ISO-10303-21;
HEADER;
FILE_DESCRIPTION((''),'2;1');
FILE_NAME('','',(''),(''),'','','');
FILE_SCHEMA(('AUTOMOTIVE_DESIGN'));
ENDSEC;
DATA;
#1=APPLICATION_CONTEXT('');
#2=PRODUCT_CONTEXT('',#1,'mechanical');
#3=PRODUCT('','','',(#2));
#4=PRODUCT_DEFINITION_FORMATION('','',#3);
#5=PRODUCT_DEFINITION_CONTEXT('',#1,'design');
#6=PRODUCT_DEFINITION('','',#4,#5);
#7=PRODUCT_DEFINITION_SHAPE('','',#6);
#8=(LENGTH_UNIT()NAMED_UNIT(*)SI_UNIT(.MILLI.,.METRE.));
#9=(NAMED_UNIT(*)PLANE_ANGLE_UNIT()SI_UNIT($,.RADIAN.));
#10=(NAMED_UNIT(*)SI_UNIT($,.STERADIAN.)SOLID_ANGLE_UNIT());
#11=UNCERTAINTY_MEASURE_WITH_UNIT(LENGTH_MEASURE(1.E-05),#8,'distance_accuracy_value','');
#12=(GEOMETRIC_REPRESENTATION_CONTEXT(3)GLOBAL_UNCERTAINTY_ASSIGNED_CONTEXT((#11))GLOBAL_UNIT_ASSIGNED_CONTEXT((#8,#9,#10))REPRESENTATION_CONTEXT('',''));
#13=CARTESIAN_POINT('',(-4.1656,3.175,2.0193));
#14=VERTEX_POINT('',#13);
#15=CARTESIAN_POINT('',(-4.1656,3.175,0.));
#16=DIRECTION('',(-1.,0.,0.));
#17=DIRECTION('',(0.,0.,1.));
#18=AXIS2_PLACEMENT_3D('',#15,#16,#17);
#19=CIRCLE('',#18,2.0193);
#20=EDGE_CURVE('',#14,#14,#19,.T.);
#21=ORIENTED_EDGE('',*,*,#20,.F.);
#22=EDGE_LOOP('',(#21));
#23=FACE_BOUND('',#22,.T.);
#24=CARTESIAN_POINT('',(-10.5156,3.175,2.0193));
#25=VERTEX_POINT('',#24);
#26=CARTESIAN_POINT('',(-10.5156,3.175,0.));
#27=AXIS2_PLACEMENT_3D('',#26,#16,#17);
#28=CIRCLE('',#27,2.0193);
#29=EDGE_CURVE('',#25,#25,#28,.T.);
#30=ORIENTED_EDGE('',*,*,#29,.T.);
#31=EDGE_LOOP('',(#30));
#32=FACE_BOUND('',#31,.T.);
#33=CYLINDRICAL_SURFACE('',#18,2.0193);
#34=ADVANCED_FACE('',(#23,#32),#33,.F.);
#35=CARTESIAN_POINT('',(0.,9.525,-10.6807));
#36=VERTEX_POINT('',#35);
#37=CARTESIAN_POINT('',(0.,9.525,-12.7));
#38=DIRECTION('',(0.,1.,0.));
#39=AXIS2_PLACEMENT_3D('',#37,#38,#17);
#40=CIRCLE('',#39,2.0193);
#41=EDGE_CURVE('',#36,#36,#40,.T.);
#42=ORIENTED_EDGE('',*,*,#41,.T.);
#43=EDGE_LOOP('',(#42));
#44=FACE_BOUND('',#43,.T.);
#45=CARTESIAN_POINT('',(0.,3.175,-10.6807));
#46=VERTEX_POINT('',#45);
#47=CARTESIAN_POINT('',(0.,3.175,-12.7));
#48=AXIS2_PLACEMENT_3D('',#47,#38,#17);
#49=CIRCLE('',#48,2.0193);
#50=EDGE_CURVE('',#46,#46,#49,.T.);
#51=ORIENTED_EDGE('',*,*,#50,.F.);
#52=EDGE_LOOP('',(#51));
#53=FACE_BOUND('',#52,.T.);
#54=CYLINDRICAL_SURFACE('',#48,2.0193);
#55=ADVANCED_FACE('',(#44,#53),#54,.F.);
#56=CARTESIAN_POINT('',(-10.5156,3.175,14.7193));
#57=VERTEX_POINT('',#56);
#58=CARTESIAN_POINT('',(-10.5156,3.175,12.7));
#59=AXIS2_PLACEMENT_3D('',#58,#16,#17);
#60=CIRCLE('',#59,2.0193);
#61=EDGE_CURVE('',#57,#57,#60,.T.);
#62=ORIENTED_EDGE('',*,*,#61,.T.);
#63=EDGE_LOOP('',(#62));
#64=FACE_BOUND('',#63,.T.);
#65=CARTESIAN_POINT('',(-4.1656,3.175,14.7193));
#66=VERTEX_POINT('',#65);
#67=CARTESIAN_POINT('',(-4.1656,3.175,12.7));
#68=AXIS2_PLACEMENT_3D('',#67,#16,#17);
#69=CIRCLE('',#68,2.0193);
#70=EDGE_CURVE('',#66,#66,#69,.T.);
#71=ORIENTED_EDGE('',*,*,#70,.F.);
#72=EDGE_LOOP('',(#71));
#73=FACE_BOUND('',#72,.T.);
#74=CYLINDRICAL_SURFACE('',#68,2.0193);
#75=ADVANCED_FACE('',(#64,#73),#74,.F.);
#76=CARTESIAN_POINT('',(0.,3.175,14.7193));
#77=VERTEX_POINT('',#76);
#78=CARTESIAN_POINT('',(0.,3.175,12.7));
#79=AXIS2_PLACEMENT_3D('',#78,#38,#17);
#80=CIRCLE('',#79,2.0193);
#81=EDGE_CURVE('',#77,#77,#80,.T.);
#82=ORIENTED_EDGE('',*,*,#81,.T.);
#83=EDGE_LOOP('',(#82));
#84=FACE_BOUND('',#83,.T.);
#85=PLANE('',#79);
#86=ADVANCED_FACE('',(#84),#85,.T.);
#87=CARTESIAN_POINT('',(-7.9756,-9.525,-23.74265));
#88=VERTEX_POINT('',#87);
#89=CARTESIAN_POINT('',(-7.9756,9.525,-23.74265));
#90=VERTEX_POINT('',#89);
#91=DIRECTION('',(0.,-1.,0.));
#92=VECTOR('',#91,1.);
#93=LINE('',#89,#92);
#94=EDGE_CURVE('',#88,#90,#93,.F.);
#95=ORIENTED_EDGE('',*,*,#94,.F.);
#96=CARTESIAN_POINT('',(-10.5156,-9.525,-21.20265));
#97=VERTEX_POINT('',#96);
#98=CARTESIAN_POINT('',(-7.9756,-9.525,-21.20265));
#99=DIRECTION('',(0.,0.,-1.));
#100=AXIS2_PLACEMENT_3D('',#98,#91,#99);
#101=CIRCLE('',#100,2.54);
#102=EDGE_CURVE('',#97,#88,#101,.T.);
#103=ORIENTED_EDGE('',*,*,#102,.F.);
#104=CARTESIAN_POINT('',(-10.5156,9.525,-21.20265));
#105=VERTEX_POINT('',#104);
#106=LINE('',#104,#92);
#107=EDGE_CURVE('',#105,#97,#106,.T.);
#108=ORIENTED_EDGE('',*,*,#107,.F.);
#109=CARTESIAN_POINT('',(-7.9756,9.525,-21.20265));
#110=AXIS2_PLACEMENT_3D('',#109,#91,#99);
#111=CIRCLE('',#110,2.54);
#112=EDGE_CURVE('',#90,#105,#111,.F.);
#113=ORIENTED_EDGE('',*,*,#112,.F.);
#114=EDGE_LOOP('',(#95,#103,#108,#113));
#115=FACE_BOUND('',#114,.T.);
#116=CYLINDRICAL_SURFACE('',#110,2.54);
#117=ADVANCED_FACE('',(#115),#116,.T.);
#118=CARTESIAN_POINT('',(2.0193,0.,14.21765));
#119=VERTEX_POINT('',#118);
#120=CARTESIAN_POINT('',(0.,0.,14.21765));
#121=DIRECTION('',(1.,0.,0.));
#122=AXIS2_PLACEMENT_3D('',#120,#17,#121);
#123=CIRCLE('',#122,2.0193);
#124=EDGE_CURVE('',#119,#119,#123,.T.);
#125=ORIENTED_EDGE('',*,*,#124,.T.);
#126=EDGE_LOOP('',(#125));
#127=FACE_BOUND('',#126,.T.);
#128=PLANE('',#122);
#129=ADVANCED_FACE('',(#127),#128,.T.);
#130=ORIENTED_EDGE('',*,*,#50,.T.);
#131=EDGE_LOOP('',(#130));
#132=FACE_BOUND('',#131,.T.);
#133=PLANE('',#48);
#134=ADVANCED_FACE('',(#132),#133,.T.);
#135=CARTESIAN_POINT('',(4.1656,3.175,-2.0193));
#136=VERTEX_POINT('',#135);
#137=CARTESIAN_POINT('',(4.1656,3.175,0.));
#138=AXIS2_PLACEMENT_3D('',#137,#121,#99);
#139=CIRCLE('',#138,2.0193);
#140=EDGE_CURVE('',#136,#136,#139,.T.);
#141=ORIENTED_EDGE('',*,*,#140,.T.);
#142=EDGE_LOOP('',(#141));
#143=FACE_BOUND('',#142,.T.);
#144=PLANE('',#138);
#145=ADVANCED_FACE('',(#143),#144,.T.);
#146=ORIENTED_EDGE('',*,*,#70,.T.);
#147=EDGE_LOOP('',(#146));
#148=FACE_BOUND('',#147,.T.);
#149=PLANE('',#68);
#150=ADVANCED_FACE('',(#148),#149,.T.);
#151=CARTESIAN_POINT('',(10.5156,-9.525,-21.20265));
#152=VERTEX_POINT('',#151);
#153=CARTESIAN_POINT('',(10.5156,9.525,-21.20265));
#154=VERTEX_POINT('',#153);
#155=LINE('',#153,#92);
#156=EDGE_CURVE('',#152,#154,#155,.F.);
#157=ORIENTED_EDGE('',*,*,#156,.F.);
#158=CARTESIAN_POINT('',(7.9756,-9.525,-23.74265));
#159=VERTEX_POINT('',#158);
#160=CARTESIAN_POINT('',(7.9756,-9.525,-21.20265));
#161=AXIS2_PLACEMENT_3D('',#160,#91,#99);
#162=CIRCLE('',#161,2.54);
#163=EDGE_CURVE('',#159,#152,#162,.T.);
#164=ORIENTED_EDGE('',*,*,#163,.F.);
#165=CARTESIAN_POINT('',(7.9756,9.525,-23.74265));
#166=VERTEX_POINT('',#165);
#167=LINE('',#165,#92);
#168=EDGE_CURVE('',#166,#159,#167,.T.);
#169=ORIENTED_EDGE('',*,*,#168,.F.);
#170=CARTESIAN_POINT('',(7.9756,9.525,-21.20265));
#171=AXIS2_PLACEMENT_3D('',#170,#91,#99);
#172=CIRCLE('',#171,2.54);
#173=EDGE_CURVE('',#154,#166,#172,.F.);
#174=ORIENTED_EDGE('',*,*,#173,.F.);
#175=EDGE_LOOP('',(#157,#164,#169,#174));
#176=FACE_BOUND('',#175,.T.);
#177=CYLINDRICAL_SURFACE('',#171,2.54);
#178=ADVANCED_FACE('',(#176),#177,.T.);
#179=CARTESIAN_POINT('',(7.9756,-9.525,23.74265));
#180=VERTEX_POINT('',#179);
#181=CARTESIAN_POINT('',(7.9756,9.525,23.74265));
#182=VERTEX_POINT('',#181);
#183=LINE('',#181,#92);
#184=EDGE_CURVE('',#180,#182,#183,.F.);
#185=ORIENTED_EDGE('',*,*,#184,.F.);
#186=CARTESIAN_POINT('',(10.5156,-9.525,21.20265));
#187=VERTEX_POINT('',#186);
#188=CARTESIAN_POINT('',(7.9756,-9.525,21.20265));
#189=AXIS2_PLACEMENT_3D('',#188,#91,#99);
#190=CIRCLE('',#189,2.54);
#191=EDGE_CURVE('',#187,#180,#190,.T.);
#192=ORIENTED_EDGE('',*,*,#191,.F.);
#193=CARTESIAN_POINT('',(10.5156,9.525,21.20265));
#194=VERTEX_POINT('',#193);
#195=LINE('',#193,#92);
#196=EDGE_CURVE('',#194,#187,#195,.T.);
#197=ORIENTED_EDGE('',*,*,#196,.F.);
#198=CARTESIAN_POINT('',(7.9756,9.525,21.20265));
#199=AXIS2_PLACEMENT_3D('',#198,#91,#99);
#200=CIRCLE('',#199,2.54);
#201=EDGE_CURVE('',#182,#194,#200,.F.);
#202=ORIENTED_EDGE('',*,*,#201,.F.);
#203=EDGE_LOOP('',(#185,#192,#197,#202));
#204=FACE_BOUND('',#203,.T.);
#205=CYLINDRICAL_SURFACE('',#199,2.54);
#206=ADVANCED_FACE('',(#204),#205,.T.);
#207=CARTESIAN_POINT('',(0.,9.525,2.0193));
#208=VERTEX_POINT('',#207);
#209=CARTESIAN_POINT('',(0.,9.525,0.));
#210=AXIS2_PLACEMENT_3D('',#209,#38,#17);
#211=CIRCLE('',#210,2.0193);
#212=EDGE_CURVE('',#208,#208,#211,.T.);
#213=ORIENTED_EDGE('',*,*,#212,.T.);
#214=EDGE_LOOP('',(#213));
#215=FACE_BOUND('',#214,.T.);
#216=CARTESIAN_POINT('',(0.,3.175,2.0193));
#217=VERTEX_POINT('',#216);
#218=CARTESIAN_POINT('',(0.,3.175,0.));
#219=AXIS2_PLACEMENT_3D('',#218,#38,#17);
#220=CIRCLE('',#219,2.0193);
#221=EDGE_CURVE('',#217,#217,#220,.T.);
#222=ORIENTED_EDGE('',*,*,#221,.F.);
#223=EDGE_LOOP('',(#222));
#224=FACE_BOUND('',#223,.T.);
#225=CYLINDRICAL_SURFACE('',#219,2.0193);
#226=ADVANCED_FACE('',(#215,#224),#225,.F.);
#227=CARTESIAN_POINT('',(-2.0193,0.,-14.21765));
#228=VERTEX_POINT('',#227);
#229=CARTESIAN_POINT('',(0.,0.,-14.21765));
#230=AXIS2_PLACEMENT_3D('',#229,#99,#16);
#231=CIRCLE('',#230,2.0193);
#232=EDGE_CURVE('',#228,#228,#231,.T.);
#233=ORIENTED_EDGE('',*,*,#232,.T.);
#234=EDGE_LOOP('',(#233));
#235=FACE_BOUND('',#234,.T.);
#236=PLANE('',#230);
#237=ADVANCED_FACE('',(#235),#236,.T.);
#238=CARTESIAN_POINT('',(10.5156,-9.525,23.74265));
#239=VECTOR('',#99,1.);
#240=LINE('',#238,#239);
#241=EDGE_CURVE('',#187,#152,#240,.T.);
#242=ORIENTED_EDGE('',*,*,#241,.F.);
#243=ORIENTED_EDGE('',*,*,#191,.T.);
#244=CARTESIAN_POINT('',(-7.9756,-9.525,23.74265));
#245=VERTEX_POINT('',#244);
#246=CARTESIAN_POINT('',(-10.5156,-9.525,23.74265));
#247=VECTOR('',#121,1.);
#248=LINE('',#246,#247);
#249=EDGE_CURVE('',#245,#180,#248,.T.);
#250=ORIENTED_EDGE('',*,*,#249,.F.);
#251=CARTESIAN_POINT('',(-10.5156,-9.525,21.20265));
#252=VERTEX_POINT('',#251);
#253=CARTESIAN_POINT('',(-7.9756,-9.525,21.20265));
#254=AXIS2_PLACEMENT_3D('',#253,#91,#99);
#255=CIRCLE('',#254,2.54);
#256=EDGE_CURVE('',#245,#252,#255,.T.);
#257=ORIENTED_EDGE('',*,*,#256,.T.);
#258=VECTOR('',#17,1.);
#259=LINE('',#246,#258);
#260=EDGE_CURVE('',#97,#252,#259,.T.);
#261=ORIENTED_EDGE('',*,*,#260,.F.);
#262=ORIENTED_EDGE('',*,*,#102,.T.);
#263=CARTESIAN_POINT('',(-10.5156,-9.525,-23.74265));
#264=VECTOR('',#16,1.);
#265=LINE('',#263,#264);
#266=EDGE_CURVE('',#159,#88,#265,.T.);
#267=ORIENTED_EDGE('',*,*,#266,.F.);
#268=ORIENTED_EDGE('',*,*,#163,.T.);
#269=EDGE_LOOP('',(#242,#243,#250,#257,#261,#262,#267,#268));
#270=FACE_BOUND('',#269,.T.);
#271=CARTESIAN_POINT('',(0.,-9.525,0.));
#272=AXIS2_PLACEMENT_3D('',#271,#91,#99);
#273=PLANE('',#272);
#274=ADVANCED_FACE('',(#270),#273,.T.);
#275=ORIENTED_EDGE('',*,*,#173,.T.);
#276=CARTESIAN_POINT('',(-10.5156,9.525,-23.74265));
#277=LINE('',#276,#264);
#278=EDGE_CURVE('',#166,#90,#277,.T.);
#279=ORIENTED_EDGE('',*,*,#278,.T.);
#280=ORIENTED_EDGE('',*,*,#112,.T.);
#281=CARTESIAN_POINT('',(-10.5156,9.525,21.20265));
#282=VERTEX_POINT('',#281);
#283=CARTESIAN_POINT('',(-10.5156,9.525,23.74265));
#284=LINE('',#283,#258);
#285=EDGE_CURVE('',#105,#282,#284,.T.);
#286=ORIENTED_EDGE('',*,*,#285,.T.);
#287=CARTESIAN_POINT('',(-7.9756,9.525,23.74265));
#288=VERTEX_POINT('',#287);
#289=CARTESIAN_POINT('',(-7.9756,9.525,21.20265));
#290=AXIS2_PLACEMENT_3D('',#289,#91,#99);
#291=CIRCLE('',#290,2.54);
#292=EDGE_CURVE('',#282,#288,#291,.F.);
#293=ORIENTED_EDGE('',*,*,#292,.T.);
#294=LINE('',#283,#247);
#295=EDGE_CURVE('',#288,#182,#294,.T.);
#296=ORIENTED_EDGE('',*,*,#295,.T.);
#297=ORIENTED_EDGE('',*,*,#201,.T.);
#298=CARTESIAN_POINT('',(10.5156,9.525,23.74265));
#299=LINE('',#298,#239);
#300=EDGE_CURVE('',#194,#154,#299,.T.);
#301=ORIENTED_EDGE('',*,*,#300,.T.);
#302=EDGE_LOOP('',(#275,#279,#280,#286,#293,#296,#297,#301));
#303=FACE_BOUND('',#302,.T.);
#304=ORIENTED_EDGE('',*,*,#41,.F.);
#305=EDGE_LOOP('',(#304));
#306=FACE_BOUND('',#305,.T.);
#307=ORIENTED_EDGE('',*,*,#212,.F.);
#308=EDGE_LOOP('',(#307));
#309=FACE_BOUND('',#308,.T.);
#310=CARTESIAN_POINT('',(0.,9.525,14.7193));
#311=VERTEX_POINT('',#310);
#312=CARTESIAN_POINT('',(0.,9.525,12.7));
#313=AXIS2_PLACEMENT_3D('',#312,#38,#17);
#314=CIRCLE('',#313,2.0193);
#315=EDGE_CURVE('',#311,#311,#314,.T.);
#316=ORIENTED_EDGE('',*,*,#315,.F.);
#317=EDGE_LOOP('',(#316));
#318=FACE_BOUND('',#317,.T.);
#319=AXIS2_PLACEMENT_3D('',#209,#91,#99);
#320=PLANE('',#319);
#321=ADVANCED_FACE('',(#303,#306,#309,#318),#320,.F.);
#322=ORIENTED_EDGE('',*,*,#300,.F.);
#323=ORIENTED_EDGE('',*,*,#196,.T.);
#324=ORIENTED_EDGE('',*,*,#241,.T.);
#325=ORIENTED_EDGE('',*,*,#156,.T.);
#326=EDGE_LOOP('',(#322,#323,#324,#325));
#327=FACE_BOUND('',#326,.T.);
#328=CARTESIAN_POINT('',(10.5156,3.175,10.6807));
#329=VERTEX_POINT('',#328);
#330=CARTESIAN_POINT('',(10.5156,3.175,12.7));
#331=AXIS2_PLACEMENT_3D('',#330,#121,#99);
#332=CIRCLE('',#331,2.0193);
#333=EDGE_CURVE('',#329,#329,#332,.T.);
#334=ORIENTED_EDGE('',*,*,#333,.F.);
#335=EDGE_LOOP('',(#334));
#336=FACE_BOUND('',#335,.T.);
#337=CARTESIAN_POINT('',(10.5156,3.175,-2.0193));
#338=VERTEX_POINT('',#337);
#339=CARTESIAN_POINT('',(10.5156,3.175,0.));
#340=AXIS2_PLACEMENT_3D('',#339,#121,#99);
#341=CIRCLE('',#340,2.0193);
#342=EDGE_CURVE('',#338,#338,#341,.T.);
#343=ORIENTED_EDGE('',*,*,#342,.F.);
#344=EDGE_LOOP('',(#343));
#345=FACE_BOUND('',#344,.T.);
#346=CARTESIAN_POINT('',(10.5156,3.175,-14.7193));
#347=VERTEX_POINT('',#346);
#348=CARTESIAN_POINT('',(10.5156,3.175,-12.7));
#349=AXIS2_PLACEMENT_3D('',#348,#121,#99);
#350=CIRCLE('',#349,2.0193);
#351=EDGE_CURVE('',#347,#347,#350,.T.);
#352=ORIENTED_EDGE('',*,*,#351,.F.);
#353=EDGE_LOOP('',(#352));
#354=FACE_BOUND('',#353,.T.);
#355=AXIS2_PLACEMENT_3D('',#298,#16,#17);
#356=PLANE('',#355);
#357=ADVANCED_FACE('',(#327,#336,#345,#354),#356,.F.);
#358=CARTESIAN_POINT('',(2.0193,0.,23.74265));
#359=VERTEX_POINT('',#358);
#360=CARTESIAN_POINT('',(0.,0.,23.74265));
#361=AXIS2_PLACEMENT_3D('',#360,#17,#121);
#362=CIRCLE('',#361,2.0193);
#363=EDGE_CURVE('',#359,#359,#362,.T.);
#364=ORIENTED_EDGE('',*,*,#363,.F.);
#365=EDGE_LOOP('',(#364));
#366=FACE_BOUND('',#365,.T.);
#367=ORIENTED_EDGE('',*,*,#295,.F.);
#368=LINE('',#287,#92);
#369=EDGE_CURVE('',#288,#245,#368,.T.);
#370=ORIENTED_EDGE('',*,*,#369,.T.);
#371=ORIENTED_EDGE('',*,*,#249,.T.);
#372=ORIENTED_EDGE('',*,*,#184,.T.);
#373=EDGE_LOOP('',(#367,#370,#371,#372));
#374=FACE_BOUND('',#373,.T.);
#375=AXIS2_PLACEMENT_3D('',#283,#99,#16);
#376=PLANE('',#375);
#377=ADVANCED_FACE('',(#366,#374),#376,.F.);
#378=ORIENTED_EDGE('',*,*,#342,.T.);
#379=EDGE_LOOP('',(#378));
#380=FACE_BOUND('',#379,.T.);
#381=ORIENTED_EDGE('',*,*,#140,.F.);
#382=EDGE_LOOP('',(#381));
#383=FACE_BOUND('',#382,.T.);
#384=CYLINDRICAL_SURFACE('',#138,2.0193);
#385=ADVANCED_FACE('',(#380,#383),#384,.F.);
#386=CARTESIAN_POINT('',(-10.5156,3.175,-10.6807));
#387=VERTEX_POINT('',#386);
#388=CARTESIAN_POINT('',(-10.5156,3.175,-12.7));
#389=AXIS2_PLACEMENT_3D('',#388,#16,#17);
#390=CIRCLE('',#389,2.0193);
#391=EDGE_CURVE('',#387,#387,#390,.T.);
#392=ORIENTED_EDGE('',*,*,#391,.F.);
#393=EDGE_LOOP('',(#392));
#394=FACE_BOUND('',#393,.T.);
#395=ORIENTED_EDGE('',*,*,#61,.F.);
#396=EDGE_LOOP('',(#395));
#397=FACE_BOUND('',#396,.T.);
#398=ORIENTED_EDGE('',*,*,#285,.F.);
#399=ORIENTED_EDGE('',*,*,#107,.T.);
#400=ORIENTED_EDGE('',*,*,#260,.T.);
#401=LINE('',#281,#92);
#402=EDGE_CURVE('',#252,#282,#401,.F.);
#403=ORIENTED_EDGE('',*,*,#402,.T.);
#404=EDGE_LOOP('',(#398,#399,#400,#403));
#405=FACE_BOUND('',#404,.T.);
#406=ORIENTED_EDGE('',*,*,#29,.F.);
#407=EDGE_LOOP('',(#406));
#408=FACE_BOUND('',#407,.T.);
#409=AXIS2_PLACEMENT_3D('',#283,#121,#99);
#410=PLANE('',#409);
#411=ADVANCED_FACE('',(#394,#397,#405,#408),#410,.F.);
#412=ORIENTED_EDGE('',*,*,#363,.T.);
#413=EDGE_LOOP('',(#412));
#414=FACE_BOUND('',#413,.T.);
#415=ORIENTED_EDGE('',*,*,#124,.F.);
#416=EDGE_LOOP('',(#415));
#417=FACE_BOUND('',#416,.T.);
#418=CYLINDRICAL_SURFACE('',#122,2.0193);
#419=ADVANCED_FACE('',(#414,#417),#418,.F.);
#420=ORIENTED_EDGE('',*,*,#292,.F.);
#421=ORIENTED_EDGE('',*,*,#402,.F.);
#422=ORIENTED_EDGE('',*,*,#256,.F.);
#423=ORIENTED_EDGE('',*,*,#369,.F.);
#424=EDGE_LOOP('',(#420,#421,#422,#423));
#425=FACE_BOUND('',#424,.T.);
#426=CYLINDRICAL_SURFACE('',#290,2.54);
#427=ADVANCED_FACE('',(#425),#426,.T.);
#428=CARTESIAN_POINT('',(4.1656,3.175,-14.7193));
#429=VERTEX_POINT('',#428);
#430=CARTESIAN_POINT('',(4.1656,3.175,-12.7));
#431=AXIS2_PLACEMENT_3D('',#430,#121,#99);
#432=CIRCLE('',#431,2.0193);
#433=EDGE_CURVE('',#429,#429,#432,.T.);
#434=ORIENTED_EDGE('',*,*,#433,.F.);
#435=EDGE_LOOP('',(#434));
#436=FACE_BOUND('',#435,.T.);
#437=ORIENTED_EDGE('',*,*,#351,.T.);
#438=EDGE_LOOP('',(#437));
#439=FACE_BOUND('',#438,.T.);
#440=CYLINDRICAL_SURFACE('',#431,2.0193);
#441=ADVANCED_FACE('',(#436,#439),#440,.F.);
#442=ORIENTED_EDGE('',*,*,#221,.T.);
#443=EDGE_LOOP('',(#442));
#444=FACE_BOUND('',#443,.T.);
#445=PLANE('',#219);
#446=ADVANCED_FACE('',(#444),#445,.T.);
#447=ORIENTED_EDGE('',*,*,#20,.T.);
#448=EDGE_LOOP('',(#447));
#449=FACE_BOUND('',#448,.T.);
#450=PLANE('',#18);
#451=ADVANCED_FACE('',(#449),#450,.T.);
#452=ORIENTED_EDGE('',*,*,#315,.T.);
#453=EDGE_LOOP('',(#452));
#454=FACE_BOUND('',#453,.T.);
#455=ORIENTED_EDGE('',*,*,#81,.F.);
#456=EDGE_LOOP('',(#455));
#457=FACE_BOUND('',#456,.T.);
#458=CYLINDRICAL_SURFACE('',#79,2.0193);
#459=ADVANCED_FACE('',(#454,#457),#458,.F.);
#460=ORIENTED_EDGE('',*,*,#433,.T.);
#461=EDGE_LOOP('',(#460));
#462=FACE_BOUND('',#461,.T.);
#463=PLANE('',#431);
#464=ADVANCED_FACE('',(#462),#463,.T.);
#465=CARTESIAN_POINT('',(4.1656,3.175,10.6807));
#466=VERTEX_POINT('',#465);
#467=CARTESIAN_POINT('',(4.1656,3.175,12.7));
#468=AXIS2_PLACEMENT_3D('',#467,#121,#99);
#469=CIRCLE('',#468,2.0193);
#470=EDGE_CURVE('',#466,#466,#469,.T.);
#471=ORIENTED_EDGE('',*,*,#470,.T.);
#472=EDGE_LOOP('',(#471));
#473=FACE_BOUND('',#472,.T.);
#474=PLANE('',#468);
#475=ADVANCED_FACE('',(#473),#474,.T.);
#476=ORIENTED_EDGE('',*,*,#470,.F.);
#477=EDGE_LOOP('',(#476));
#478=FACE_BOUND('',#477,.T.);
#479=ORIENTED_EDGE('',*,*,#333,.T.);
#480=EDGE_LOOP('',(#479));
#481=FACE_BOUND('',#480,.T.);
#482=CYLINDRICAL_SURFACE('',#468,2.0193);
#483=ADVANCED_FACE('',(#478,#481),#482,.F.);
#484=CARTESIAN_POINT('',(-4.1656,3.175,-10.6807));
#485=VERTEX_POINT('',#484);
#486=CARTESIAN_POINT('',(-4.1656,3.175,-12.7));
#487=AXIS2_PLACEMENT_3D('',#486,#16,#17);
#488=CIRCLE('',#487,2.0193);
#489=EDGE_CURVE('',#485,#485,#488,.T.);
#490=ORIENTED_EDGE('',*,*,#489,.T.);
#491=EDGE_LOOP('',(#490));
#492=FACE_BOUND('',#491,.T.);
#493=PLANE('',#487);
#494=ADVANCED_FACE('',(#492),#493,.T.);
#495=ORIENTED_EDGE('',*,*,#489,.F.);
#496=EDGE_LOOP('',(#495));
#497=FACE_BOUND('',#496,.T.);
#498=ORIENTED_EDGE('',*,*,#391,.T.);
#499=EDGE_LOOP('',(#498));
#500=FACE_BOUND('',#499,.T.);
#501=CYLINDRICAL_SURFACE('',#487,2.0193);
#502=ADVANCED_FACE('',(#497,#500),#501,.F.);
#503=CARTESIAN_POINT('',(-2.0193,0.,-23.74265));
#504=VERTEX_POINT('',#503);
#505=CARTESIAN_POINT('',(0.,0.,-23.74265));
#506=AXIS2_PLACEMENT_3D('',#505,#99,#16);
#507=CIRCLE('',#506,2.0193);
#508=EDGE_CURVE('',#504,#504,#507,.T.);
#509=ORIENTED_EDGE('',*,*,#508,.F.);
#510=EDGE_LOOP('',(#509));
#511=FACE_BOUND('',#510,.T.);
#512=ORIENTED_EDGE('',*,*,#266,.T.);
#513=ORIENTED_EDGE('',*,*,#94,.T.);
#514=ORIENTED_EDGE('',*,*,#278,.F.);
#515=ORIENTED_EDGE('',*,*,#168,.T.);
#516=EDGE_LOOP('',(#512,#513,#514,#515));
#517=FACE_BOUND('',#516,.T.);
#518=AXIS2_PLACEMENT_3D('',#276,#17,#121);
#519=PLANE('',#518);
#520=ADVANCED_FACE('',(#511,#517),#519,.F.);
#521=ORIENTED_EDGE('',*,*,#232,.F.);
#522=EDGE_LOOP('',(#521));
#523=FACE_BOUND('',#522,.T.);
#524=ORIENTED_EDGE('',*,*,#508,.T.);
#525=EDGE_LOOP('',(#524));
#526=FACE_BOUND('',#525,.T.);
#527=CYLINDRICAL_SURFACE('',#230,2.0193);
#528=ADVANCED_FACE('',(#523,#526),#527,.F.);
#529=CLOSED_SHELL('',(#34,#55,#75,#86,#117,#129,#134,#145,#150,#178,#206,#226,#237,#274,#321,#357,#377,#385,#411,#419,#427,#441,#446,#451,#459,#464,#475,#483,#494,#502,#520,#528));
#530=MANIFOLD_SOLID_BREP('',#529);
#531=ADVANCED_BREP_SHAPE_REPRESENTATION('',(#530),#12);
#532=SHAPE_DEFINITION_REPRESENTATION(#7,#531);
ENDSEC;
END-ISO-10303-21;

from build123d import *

# Parameters (mm, degrees)
SKETCH1_W           = 21.0312
SKETCH1_H           = 47.4853
BOSS_EXTRUDE1_DEPTH = 9.525
SKETCH2_R           = 2.0193
CUT_EXTRUDE1_DEPTH  = 9.525
SKETCH3_R           = 2.0193
CUT_EXTRUDE2_DEPTH  = 9.525
SKETCH4_R           = 2.0193
CUT_EXTRUDE3_DEPTH  = 6.35
SKETCH5_R           = 2.0193
CUT_EXTRUDE4_DEPTH  = 6.35
SKETCH6_R           = 2.0193
CUT_EXTRUDE5_DEPTH  = 6.35
FILLET1_R           = 2.54


with BuildPart() as part:
    # Sketch1 → Boss-Extrude1 (new body, symmetric)
    with BuildSketch(Plane(origin=(0, 0, 0), x_dir=(1, 0, 0), z_dir=(0, 1, 0))):
        Rectangle(SKETCH1_W, SKETCH1_H)
    extrude(amount=BOSS_EXTRUDE1_DEPTH, both=True)

    # Sketch2 → Cut-Extrude1 (cut)
    with BuildSketch(Plane.XY.offset(23.74265)):
        Circle(SKETCH2_R)
    extrude(amount=-CUT_EXTRUDE1_DEPTH, mode=Mode.SUBTRACT)

    # Sketch3 → Cut-Extrude2 (cut)
    with BuildSketch(Plane(origin=(0, 0, -23.74265), x_dir=(-1, 0, 0), z_dir=(0, 0, -1))):
        Circle(SKETCH3_R)
    extrude(amount=-CUT_EXTRUDE2_DEPTH, mode=Mode.SUBTRACT)

    # Sketch4 → Cut-Extrude3 (cut)
    with BuildSketch(Plane(origin=(10.5156, 0, 0), x_dir=(0, 0, -1), z_dir=(1, 0, 0))):
        with Locations((-12.7, 3.175)):
            Circle(SKETCH4_R)
        with Locations((12.7, 3.175)):
            Circle(SKETCH4_R)
        with Locations((0, 3.175)):
            Circle(SKETCH4_R)
    extrude(amount=-CUT_EXTRUDE3_DEPTH, mode=Mode.SUBTRACT)

    # Sketch5 → Cut-Extrude4 (cut)
    with BuildSketch(Plane.ZY.offset(10.5156)):
        with Locations((-12.7, 3.175)):
            Circle(SKETCH5_R)
        with Locations((0, 3.175)):
            Circle(SKETCH5_R)
        with Locations((12.7, 3.175)):
            Circle(SKETCH5_R)
    extrude(amount=-CUT_EXTRUDE4_DEPTH, mode=Mode.SUBTRACT)

    # Sketch6 → Cut-Extrude5 (cut)
    with BuildSketch(Plane(origin=(0, 9.525, 0), x_dir=(1, 0, 0), z_dir=(0, 1, 0))):
        with Locations((0, 12.7)):
            Circle(SKETCH6_R)
        Circle(SKETCH6_R)
        with Locations((0, -12.7)):
            Circle(SKETCH6_R)
    extrude(amount=-CUT_EXTRUDE5_DEPTH, mode=Mode.SUBTRACT)

    # Fillet1
    fillet1_edges = [part.edges().sort_by_distance(p)[0] for p in [
        (10.5156, 0, 23.74265),
        (-10.5156, 0, 23.74265),
        (-10.5156, 0, -23.74265),
        (10.5156, 0, -23.74265),
    ]]
    fillet(fillet1_edges, radius=FILLET1_R)


solid = part.part
